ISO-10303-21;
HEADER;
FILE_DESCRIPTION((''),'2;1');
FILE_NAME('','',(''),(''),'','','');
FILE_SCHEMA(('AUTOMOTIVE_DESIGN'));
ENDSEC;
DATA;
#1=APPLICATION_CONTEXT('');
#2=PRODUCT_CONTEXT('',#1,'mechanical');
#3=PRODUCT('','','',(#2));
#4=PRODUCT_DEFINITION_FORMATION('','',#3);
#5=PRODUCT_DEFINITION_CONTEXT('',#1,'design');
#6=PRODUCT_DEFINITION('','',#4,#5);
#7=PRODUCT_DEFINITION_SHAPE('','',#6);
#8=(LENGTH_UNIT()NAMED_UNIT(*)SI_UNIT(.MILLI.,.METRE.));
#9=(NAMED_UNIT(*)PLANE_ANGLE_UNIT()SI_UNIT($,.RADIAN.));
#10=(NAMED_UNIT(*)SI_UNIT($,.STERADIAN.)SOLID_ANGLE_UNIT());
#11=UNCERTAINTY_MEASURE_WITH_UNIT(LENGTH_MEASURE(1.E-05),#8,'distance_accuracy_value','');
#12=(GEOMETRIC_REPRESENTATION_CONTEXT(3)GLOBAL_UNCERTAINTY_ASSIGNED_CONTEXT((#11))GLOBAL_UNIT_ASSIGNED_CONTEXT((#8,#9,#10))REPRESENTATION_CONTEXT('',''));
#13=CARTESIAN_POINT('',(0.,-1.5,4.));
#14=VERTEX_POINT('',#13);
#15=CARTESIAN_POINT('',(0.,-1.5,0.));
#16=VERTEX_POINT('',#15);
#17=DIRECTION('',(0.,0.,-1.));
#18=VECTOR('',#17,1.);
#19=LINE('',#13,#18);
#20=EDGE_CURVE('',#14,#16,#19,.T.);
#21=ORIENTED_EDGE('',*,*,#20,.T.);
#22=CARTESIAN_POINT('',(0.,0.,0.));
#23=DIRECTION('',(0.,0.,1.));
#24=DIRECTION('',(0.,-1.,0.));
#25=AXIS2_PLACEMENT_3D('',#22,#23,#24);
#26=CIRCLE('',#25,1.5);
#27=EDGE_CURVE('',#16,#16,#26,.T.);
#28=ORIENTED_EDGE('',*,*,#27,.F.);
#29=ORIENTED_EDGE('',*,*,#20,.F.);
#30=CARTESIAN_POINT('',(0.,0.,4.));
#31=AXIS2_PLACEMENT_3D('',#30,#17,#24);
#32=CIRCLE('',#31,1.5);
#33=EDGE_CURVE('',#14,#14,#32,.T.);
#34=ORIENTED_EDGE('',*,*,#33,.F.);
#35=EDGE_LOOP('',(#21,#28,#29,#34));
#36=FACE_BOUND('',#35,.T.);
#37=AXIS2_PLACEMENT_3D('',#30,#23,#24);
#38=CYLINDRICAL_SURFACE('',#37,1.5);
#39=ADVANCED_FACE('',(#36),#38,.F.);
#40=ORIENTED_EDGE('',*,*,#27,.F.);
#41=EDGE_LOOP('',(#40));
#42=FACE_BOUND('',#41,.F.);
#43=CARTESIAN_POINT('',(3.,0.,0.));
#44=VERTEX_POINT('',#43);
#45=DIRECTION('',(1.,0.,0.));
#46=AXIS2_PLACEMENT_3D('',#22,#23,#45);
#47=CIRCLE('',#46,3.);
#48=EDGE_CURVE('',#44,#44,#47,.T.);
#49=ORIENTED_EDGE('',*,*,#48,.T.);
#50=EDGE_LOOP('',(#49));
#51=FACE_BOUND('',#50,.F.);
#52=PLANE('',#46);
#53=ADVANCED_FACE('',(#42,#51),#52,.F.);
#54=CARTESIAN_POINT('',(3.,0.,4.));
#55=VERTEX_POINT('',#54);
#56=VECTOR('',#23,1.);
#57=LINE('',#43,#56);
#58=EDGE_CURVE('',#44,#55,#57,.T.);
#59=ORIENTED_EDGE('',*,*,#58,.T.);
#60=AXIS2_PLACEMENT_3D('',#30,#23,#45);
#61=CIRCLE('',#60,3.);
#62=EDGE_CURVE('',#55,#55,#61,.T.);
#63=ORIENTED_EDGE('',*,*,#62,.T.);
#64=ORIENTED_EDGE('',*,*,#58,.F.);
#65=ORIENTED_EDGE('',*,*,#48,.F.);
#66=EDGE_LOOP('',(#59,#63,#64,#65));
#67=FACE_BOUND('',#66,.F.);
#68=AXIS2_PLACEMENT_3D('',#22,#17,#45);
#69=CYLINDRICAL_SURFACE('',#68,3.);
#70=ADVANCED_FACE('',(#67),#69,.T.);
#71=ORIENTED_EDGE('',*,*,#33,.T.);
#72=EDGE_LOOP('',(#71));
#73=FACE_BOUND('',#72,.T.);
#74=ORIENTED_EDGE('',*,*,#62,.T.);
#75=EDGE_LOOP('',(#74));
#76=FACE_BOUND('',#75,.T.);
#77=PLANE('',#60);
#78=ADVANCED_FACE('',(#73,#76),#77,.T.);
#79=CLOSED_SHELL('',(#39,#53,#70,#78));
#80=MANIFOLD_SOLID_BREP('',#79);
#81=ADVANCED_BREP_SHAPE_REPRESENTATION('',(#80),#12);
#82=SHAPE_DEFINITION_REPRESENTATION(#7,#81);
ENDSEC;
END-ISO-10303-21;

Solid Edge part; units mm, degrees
sketch "Sketch1" plane through (0, 0, 0) normal (0, 0, 1) x (1, 0, 0)
  circle A0 centre (0, 0) radius 3
  dimension "D1" = 6
extrude "Protrusion1" add sketch "Sketch1" along normal blind 4
hole "Hole___body" at (0, 0, 4) direction (0, 0, -1) diameter 3 end up to next
properties material "Stainless Steel, 420"
